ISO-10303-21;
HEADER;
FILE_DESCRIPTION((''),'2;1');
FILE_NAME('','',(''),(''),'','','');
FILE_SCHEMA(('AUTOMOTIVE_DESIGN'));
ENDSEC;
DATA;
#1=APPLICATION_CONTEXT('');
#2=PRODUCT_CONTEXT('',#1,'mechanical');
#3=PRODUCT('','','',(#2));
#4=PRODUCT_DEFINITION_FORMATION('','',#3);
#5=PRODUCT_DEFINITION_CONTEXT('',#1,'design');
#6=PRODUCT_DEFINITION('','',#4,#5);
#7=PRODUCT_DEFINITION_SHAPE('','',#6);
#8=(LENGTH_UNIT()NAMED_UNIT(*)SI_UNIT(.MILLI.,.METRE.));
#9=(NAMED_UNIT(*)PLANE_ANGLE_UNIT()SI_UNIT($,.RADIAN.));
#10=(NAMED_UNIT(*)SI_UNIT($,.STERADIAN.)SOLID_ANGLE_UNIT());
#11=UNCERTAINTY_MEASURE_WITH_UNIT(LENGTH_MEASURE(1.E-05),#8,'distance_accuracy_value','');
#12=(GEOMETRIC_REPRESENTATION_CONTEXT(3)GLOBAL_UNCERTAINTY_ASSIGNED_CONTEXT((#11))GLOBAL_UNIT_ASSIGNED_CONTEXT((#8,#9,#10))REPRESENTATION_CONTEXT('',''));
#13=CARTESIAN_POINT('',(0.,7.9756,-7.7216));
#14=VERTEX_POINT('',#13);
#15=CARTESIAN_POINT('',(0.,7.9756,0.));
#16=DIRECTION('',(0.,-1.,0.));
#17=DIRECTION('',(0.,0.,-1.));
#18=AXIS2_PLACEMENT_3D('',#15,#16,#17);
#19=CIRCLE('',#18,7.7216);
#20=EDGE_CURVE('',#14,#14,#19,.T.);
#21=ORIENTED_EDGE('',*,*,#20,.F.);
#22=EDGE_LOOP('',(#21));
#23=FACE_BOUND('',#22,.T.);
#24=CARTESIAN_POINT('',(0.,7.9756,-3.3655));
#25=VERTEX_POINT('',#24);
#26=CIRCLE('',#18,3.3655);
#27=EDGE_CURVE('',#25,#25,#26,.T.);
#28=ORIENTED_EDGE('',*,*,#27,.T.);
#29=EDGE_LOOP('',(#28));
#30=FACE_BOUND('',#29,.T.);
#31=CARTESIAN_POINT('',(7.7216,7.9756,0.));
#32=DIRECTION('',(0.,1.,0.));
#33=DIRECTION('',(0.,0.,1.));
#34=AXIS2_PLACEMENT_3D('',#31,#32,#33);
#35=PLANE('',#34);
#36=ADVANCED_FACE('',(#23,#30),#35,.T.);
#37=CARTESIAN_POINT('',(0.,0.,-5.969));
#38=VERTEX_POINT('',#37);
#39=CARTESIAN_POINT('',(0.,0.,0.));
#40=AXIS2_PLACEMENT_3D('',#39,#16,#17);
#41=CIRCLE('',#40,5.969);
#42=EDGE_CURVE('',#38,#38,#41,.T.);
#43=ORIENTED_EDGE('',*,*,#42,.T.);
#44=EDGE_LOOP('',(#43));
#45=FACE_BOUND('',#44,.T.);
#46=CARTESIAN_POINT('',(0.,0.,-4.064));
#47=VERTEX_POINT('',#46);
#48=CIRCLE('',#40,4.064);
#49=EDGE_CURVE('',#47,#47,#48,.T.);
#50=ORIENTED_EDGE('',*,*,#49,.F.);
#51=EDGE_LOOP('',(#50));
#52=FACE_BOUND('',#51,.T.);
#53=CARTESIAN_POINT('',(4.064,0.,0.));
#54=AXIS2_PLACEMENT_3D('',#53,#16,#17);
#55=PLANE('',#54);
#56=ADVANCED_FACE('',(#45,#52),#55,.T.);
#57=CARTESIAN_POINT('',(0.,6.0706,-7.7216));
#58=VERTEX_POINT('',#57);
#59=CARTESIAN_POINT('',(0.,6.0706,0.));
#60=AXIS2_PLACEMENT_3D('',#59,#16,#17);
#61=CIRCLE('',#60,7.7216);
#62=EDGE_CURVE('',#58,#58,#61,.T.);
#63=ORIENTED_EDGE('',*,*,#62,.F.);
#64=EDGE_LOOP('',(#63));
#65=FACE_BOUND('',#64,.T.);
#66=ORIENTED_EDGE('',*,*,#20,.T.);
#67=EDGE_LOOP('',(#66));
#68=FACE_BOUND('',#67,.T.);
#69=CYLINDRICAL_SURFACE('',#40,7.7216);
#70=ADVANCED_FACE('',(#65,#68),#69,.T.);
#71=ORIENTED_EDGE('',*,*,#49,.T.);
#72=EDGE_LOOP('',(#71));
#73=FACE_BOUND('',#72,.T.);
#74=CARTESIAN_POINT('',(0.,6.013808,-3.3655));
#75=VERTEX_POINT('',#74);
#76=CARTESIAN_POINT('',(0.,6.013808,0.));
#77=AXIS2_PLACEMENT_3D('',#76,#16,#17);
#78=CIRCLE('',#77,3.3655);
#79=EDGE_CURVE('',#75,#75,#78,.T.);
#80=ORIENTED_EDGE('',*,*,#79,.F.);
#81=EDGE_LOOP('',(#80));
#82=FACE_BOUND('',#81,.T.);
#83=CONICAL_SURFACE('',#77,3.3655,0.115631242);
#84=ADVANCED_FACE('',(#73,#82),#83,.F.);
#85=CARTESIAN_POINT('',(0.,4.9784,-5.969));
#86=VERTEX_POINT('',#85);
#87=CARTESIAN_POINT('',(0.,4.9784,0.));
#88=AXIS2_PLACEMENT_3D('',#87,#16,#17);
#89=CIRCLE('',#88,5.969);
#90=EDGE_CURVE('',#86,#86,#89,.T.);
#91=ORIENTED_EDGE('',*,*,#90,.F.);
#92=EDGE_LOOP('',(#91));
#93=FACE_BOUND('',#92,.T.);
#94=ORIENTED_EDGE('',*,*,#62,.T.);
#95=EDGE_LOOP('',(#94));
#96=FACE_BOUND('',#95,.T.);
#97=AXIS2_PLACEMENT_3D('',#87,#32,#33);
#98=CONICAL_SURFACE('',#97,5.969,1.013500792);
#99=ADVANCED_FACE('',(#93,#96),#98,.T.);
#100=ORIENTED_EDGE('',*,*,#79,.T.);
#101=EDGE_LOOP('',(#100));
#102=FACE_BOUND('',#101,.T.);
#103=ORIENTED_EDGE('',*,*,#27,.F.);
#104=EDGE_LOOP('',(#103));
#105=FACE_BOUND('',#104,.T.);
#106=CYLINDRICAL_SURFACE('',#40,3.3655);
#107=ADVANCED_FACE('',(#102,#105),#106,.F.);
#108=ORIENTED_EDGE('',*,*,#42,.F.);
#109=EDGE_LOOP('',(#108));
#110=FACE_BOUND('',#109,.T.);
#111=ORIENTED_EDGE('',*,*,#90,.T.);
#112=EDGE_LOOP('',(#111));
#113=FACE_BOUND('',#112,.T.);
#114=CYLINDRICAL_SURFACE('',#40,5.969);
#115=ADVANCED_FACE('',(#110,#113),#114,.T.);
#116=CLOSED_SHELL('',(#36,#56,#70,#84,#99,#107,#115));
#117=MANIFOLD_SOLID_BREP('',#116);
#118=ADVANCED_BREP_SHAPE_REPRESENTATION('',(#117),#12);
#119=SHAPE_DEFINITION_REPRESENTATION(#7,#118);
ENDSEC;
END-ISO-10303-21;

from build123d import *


with BuildPart() as part:
    # Sketch1 → Revolve1 (revolve)
    with BuildSketch(Plane.XY, mode=Mode.PRIVATE) as revolve1_sk:
        Polygon((3.3655, 7.9756), (3.3655, 6.013808148), (4.064, 0), (5.969, 0), (5.969, 4.9784), (7.7216, 6.0706), (7.7216, 7.9756), align=None)
    revolve(revolve1_sk.sketch.rotate(Axis((0, 0, 0), (0, 1, 0)), 90), axis=Axis((0, 0, 0), (0, 1, 0)))


solid = part.part
